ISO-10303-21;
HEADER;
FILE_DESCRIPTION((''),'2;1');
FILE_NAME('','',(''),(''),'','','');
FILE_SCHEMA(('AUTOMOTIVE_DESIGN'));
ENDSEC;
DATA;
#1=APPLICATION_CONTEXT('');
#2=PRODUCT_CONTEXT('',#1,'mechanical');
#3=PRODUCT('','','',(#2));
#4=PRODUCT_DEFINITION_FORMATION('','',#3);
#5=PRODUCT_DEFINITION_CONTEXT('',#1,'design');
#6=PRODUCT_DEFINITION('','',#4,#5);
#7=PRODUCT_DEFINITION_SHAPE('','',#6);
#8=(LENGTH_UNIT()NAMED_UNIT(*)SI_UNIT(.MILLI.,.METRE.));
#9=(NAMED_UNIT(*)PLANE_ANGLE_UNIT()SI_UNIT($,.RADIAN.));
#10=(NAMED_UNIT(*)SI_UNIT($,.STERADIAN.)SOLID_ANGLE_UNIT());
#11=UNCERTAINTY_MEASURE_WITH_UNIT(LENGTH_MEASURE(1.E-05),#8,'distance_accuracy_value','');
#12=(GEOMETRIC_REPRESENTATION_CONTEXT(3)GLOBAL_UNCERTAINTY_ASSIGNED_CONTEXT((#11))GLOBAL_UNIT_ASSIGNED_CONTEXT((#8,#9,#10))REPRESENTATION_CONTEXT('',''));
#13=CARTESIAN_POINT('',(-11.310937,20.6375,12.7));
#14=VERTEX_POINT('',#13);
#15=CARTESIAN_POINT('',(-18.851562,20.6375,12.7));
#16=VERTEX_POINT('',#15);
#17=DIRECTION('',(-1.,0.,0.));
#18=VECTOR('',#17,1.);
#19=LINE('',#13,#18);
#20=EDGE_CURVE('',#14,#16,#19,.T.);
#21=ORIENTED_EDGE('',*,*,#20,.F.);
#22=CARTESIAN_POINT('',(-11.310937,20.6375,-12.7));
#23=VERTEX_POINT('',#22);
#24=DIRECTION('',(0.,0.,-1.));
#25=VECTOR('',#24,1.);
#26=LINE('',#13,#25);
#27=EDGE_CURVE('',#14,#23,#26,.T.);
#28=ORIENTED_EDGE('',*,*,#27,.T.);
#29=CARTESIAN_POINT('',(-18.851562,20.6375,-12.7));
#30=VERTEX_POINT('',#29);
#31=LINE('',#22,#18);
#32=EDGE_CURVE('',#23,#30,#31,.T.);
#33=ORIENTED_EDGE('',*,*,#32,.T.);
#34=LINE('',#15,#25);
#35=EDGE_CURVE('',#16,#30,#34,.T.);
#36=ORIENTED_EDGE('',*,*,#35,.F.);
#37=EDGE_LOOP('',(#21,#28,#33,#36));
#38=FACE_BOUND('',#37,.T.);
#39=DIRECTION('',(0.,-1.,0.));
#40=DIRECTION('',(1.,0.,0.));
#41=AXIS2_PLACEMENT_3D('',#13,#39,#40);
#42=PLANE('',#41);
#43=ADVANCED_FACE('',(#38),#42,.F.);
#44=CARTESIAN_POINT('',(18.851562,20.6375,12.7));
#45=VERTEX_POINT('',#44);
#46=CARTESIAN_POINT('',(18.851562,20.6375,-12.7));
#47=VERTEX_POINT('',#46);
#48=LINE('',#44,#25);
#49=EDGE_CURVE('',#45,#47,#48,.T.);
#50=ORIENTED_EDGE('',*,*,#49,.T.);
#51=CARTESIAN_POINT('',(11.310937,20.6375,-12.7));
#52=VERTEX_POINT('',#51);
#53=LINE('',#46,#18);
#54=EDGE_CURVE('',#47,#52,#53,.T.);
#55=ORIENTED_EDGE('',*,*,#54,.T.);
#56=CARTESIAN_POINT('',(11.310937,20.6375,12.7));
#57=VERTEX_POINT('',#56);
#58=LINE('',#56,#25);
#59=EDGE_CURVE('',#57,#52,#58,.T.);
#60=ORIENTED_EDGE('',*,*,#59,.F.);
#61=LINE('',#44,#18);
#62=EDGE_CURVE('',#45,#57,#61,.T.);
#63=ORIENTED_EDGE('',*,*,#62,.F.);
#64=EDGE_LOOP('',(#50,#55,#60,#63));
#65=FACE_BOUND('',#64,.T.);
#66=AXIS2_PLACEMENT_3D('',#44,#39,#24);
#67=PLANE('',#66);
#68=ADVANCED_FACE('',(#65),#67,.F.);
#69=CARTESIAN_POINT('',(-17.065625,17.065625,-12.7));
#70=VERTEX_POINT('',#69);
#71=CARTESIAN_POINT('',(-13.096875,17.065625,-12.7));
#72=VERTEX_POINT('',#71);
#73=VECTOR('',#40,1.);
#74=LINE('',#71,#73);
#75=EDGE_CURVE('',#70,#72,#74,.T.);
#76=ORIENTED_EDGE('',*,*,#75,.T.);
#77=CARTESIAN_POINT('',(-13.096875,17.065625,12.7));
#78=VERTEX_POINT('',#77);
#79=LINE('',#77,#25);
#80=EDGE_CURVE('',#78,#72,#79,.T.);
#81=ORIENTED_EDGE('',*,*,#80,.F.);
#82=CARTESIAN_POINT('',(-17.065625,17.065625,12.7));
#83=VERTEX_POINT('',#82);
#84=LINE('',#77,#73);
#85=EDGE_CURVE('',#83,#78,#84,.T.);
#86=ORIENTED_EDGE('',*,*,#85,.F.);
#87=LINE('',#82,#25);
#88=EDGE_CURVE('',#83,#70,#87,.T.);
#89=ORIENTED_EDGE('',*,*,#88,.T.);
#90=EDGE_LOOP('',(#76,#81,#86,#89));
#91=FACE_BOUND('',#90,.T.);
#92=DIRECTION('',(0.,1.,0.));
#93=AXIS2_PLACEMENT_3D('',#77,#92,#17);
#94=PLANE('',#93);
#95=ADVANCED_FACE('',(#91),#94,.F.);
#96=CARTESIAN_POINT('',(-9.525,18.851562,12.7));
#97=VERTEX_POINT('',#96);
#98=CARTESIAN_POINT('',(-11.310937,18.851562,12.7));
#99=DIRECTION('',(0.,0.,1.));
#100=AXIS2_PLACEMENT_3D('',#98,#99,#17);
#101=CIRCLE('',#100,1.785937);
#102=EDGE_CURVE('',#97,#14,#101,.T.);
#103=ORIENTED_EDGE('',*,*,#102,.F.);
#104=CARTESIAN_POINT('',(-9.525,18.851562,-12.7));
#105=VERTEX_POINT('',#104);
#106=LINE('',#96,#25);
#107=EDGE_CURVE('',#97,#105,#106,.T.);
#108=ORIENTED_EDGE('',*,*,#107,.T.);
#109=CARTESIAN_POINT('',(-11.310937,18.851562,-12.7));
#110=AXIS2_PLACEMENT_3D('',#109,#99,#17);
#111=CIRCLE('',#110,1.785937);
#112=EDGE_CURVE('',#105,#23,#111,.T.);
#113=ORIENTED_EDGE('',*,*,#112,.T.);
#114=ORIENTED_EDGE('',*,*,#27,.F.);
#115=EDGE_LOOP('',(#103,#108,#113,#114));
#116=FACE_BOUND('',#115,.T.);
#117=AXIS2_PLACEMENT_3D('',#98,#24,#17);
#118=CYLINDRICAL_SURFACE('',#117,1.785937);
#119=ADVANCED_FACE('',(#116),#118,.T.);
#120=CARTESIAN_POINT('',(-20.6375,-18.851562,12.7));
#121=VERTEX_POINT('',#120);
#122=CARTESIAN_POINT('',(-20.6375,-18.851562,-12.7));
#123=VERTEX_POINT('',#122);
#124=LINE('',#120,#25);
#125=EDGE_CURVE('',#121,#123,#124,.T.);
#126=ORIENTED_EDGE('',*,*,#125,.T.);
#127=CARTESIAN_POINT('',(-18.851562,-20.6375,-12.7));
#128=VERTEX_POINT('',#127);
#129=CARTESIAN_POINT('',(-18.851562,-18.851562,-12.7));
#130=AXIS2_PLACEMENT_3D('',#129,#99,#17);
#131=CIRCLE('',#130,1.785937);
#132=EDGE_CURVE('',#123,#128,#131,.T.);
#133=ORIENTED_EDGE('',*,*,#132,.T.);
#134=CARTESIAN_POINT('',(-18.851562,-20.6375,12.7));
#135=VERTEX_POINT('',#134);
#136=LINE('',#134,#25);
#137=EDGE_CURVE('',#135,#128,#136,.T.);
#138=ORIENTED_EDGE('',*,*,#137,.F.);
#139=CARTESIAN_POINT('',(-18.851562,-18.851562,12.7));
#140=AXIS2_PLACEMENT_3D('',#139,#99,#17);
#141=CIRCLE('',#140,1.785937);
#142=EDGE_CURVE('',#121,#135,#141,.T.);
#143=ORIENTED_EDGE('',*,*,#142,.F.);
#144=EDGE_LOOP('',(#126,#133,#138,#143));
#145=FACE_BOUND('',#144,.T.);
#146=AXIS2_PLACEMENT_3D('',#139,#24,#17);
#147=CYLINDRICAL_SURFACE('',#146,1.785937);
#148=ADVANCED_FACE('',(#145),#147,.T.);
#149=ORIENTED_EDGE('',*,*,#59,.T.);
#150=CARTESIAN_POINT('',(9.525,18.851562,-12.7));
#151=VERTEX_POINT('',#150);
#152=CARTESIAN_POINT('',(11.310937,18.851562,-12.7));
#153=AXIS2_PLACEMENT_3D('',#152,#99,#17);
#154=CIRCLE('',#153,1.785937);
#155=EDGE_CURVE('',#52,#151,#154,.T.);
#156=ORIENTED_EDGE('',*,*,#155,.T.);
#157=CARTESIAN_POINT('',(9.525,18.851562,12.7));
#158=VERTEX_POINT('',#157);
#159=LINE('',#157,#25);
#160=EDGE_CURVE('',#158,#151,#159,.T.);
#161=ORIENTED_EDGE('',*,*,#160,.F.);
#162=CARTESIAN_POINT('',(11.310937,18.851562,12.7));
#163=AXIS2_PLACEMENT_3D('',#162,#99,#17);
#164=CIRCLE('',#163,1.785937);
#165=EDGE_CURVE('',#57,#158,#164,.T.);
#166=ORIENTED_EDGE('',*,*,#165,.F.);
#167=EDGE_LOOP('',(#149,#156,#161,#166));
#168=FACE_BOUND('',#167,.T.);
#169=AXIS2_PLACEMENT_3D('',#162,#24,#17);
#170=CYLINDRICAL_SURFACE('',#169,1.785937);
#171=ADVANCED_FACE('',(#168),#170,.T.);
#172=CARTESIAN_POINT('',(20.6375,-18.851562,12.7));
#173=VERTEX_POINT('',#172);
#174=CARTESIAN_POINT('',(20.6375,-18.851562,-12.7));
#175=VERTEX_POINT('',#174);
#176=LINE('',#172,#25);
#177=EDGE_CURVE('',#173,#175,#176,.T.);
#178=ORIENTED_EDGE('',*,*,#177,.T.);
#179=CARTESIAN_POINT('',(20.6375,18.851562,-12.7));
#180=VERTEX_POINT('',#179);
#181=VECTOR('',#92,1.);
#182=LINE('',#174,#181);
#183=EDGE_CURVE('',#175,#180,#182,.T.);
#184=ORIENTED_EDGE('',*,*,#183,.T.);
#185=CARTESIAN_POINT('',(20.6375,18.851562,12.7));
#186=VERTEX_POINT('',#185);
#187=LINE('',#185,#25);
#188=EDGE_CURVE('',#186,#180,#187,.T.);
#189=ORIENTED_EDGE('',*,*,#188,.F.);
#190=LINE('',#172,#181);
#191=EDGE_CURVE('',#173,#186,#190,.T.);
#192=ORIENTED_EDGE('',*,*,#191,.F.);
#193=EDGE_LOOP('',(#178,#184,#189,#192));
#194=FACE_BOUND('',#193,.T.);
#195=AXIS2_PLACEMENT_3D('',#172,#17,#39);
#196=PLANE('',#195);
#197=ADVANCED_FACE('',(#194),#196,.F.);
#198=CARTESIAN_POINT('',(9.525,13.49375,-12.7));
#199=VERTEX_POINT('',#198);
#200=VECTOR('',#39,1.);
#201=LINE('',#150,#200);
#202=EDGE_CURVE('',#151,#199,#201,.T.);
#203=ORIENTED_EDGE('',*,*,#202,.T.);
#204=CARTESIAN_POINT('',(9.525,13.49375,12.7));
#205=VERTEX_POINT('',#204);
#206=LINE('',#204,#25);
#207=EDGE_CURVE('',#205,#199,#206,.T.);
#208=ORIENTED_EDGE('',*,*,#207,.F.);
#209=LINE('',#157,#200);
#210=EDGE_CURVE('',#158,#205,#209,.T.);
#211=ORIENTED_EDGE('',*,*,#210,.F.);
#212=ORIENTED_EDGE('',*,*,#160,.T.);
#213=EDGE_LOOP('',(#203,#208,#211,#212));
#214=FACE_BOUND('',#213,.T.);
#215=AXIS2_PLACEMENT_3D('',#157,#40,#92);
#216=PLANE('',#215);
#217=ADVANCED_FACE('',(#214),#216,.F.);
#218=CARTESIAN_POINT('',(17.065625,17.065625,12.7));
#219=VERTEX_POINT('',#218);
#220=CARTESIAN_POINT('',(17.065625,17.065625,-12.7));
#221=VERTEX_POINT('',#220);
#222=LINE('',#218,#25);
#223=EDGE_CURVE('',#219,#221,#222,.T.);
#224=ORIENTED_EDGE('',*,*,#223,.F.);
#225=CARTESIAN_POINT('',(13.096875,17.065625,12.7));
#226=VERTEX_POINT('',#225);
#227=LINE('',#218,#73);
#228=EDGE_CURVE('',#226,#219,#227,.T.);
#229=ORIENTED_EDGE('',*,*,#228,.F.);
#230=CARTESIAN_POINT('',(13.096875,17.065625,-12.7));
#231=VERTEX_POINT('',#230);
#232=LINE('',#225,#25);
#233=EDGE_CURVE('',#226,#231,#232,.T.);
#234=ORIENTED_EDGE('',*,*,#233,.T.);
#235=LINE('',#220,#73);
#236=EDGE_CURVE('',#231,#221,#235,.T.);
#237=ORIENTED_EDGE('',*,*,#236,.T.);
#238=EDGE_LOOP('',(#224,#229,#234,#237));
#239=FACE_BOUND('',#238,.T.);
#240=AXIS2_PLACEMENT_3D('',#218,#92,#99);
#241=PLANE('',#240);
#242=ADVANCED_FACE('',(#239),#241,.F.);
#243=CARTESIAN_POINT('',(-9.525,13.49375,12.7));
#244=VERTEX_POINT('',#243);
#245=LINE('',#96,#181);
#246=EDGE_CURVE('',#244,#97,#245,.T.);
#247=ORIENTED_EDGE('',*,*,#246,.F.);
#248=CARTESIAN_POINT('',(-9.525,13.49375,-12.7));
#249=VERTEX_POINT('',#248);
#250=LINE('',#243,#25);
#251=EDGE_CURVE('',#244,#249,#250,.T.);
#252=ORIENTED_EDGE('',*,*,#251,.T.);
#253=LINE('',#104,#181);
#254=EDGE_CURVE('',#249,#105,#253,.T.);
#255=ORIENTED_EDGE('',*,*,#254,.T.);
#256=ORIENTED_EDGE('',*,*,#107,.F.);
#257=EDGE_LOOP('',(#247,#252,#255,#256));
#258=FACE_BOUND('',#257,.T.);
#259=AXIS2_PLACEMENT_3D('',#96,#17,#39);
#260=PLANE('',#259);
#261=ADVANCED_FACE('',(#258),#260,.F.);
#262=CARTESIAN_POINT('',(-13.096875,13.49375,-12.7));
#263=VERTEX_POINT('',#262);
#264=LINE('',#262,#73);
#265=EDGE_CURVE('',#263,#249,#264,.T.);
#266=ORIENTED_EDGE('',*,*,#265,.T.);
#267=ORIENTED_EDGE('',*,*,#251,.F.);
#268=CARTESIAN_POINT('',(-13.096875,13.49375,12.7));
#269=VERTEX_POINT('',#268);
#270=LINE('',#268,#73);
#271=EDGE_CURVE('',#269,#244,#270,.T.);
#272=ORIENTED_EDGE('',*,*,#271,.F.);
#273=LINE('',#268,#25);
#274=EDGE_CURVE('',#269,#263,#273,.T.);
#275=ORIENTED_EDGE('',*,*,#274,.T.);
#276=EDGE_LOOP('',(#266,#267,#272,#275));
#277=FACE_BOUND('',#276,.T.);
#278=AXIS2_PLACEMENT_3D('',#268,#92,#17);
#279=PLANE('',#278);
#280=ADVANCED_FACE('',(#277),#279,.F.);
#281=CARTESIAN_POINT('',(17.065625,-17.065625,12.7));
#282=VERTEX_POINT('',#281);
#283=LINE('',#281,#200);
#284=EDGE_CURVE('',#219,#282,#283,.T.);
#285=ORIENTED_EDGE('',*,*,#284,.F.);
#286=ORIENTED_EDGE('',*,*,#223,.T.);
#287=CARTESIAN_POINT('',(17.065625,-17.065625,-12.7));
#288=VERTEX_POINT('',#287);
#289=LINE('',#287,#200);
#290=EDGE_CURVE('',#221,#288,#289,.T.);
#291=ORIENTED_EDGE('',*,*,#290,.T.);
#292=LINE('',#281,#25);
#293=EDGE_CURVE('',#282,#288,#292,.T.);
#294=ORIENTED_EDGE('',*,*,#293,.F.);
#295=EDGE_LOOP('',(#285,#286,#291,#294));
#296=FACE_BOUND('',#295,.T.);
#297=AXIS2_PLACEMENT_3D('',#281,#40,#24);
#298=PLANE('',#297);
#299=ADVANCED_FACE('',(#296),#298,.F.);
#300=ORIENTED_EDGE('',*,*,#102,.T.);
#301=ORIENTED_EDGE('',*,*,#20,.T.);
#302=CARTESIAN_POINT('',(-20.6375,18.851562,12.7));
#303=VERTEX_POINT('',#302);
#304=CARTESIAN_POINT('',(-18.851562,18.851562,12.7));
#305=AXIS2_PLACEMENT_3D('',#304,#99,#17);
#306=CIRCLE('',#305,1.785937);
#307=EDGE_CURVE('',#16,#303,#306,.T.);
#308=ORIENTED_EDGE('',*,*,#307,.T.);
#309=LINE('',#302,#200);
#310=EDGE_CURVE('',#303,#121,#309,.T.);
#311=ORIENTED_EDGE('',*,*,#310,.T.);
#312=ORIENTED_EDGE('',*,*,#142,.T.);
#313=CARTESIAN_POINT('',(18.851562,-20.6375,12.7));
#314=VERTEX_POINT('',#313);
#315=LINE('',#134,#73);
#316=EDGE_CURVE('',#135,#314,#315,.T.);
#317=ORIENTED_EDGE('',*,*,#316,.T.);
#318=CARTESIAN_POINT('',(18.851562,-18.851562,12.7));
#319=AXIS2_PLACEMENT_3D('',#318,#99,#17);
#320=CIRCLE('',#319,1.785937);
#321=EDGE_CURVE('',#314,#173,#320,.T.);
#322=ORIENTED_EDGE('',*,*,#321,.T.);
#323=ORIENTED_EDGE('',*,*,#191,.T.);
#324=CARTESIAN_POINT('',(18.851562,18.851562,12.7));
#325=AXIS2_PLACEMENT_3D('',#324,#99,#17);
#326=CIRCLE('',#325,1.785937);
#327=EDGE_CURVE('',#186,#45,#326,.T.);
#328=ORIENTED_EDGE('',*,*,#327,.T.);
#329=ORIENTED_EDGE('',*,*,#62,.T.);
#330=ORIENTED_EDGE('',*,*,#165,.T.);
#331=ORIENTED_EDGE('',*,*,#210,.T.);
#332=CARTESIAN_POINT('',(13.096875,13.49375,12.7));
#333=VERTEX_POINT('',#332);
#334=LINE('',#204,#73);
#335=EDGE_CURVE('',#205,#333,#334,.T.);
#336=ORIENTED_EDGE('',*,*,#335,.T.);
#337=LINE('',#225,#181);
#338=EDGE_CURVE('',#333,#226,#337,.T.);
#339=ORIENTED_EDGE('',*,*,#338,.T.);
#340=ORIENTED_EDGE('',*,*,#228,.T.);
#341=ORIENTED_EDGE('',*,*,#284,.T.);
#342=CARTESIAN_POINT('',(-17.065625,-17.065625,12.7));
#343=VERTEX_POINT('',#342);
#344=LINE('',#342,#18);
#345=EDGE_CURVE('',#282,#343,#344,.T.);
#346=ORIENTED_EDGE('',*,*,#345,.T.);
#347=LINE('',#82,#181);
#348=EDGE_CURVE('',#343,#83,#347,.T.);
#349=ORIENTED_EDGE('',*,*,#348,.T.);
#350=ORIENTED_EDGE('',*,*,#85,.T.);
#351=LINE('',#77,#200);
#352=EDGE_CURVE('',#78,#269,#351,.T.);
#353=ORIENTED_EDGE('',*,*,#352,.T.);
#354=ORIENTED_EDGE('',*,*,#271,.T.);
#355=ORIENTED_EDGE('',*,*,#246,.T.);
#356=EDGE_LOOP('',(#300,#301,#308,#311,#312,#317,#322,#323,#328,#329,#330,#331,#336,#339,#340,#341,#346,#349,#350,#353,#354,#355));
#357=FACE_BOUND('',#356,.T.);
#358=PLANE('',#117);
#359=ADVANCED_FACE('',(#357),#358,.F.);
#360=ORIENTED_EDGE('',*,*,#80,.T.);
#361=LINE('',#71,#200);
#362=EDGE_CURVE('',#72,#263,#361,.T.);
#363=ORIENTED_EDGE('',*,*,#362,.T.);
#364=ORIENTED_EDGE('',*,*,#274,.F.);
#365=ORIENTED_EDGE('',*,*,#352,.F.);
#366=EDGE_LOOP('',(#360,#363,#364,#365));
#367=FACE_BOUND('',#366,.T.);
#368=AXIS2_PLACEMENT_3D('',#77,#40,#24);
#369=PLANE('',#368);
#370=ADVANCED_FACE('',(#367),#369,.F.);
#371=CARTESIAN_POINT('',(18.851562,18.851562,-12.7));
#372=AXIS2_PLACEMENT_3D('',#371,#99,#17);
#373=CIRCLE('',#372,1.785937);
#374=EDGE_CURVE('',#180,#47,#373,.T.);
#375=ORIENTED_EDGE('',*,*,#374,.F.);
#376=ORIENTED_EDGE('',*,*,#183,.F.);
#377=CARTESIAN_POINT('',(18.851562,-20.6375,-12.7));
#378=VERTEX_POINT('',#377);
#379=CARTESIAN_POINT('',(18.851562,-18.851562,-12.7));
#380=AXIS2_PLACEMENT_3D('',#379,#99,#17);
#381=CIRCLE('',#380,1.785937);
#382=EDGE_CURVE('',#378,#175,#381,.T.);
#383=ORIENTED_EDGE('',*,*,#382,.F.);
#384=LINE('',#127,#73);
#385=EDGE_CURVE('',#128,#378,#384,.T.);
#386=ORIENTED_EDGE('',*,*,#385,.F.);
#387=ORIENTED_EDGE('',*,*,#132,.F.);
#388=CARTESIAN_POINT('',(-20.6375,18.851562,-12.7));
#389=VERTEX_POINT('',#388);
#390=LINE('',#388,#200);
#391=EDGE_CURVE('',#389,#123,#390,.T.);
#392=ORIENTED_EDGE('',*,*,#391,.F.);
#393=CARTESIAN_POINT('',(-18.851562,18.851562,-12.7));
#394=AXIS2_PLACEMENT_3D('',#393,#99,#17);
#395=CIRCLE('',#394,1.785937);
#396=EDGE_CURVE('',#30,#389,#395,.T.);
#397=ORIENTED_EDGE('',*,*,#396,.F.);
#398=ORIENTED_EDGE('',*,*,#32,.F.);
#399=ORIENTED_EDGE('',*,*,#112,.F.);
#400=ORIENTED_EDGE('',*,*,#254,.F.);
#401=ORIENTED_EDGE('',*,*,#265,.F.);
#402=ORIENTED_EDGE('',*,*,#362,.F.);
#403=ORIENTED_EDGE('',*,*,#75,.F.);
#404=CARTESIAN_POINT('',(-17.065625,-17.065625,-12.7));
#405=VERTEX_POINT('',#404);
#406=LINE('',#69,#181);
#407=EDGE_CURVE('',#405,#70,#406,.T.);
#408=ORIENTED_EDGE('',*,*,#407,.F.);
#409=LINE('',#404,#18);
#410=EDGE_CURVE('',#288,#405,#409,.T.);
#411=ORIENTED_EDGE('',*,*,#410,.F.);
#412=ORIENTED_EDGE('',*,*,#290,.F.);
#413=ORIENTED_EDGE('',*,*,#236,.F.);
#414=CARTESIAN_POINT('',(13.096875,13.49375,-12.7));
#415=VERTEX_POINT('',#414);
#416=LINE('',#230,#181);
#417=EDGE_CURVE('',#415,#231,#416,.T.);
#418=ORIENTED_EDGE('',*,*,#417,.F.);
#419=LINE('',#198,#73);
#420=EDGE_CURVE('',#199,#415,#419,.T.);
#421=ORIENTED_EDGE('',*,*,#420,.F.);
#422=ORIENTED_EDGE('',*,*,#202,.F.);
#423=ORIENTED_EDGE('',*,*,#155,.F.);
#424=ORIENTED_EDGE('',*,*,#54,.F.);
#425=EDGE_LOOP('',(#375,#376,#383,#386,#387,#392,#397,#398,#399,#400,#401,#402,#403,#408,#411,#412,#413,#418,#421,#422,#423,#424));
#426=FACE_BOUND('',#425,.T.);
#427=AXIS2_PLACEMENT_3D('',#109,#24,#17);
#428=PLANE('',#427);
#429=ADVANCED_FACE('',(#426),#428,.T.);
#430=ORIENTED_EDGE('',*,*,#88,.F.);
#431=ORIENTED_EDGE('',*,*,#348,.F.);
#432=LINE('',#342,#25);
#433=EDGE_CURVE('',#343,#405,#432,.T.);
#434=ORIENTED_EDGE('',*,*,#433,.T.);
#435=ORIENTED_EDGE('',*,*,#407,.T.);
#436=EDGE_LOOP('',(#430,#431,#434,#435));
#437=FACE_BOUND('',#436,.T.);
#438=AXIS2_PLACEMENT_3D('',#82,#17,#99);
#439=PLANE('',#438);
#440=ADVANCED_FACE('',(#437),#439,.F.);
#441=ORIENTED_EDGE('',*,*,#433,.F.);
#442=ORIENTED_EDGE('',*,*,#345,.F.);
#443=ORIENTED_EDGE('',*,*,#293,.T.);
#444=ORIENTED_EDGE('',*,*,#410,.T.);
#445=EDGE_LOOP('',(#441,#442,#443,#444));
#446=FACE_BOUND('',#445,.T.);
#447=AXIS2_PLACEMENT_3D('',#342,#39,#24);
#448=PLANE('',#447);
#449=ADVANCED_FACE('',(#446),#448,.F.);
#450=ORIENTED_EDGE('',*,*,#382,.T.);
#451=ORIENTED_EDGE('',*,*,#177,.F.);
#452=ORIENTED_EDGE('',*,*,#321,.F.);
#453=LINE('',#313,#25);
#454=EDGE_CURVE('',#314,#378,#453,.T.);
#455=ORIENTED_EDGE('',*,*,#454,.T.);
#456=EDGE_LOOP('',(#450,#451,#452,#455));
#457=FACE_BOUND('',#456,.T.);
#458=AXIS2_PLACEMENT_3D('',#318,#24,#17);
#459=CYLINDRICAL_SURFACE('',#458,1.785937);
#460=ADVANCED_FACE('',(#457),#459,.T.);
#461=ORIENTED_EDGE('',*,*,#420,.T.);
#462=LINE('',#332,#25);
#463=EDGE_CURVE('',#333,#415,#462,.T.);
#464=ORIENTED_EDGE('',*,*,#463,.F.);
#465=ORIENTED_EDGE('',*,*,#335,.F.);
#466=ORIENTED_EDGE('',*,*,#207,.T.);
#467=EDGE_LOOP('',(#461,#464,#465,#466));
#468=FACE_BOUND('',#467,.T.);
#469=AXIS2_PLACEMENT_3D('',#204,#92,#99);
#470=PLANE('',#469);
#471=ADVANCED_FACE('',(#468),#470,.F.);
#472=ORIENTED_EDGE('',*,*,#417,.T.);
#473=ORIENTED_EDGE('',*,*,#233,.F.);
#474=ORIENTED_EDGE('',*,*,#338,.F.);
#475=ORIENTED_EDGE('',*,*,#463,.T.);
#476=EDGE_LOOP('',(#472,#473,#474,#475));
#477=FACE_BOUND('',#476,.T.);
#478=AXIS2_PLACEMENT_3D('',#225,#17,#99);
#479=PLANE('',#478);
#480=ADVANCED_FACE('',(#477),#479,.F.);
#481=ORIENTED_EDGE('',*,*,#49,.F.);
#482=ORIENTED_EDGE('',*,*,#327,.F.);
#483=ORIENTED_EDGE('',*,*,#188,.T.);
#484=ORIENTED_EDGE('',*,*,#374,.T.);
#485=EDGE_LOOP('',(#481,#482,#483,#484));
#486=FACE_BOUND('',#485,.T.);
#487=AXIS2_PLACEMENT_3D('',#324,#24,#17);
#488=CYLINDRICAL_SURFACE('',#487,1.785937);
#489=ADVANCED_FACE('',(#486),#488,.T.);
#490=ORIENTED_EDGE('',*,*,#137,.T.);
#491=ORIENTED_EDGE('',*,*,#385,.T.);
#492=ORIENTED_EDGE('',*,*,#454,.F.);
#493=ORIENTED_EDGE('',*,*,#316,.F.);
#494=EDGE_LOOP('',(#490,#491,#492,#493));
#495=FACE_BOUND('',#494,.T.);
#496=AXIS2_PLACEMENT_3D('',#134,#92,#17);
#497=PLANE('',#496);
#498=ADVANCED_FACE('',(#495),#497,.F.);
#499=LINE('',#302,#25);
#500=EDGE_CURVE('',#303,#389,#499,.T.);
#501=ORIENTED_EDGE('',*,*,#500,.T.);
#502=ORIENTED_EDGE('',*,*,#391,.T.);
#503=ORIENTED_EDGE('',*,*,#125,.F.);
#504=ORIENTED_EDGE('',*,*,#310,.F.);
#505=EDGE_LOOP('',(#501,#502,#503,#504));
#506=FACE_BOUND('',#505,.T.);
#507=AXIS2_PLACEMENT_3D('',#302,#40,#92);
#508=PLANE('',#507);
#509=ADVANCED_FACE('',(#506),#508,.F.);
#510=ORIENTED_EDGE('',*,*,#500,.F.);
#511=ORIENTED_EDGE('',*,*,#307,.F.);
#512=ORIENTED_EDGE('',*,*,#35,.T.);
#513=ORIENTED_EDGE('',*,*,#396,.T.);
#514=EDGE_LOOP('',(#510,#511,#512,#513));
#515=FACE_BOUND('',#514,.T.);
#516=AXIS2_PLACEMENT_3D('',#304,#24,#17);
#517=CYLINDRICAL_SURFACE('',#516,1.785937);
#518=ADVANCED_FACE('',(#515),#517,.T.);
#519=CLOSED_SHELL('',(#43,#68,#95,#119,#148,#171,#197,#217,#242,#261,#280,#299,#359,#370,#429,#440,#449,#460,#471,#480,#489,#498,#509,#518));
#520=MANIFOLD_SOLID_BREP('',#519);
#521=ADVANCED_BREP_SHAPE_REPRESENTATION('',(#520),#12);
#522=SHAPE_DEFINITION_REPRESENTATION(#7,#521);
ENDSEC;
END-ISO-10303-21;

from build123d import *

# Parameters (mm, degrees)
BASE_EXTRUDE_DEPTH = 12.7


with BuildPart() as part:
    # Sketch1 → Base-Extrude (new, symmetric)
    with BuildSketch(Plane.XY):
        with BuildLine():
            Line((-11.3109375, 20.6375), (-18.8515625, 20.6375))
            ThreePointArc((-18.8515625, 20.6375), (-20.114411017, 20.114411017), (-20.6375, 18.8515625))
            Line((-20.6375, 18.8515625), (-20.6375, -18.8515625))
            ThreePointArc((-20.6375, -18.8515625), (-20.114411017, -20.114411017), (-18.8515625, -20.6375))
            Line((-18.8515625, -20.6375), (18.8515625, -20.6375))
            ThreePointArc((18.8515625, -20.6375), (20.114411017, -20.114411017), (20.6375, -18.8515625))
            Line((20.6375, -18.8515625), (20.6375, 18.8515625))
            ThreePointArc((20.6375, 18.8515625), (20.114411017, 20.114411017), (18.8515625, 20.6375))
            Line((18.8515625, 20.6375), (11.3109375, 20.6375))
            ThreePointArc((11.3109375, 20.6375), (10.048088983, 20.114411017), (9.525, 18.8515625))
            Line((9.525, 18.8515625), (9.525, 13.49375))
            Line((9.525, 13.49375), (13.096875, 13.49375))
            Line((13.096875, 13.49375), (13.096875, 17.065625))
            Line((13.096875, 17.065625), (17.065625, 17.065625))
            Line((17.065625, 17.065625), (17.065625, -17.065625))
            Line((17.065625, -17.065625), (-17.065625, -17.065625))
            Line((-17.065625, -17.065625), (-17.065625, 17.065625))
            Line((-17.065625, 17.065625), (-13.096875, 17.065625))
            Line((-13.096875, 17.065625), (-13.096875, 13.49375))
            Line((-13.096875, 13.49375), (-9.525, 13.49375))
            Line((-9.525, 13.49375), (-9.525, 18.8515625))
            ThreePointArc((-9.525, 18.8515625), (-10.048088983, 20.114411017), (-11.3109375, 20.6375))
        make_face()
    extrude(amount=BASE_EXTRUDE_DEPTH, both=True)


solid = part.part
